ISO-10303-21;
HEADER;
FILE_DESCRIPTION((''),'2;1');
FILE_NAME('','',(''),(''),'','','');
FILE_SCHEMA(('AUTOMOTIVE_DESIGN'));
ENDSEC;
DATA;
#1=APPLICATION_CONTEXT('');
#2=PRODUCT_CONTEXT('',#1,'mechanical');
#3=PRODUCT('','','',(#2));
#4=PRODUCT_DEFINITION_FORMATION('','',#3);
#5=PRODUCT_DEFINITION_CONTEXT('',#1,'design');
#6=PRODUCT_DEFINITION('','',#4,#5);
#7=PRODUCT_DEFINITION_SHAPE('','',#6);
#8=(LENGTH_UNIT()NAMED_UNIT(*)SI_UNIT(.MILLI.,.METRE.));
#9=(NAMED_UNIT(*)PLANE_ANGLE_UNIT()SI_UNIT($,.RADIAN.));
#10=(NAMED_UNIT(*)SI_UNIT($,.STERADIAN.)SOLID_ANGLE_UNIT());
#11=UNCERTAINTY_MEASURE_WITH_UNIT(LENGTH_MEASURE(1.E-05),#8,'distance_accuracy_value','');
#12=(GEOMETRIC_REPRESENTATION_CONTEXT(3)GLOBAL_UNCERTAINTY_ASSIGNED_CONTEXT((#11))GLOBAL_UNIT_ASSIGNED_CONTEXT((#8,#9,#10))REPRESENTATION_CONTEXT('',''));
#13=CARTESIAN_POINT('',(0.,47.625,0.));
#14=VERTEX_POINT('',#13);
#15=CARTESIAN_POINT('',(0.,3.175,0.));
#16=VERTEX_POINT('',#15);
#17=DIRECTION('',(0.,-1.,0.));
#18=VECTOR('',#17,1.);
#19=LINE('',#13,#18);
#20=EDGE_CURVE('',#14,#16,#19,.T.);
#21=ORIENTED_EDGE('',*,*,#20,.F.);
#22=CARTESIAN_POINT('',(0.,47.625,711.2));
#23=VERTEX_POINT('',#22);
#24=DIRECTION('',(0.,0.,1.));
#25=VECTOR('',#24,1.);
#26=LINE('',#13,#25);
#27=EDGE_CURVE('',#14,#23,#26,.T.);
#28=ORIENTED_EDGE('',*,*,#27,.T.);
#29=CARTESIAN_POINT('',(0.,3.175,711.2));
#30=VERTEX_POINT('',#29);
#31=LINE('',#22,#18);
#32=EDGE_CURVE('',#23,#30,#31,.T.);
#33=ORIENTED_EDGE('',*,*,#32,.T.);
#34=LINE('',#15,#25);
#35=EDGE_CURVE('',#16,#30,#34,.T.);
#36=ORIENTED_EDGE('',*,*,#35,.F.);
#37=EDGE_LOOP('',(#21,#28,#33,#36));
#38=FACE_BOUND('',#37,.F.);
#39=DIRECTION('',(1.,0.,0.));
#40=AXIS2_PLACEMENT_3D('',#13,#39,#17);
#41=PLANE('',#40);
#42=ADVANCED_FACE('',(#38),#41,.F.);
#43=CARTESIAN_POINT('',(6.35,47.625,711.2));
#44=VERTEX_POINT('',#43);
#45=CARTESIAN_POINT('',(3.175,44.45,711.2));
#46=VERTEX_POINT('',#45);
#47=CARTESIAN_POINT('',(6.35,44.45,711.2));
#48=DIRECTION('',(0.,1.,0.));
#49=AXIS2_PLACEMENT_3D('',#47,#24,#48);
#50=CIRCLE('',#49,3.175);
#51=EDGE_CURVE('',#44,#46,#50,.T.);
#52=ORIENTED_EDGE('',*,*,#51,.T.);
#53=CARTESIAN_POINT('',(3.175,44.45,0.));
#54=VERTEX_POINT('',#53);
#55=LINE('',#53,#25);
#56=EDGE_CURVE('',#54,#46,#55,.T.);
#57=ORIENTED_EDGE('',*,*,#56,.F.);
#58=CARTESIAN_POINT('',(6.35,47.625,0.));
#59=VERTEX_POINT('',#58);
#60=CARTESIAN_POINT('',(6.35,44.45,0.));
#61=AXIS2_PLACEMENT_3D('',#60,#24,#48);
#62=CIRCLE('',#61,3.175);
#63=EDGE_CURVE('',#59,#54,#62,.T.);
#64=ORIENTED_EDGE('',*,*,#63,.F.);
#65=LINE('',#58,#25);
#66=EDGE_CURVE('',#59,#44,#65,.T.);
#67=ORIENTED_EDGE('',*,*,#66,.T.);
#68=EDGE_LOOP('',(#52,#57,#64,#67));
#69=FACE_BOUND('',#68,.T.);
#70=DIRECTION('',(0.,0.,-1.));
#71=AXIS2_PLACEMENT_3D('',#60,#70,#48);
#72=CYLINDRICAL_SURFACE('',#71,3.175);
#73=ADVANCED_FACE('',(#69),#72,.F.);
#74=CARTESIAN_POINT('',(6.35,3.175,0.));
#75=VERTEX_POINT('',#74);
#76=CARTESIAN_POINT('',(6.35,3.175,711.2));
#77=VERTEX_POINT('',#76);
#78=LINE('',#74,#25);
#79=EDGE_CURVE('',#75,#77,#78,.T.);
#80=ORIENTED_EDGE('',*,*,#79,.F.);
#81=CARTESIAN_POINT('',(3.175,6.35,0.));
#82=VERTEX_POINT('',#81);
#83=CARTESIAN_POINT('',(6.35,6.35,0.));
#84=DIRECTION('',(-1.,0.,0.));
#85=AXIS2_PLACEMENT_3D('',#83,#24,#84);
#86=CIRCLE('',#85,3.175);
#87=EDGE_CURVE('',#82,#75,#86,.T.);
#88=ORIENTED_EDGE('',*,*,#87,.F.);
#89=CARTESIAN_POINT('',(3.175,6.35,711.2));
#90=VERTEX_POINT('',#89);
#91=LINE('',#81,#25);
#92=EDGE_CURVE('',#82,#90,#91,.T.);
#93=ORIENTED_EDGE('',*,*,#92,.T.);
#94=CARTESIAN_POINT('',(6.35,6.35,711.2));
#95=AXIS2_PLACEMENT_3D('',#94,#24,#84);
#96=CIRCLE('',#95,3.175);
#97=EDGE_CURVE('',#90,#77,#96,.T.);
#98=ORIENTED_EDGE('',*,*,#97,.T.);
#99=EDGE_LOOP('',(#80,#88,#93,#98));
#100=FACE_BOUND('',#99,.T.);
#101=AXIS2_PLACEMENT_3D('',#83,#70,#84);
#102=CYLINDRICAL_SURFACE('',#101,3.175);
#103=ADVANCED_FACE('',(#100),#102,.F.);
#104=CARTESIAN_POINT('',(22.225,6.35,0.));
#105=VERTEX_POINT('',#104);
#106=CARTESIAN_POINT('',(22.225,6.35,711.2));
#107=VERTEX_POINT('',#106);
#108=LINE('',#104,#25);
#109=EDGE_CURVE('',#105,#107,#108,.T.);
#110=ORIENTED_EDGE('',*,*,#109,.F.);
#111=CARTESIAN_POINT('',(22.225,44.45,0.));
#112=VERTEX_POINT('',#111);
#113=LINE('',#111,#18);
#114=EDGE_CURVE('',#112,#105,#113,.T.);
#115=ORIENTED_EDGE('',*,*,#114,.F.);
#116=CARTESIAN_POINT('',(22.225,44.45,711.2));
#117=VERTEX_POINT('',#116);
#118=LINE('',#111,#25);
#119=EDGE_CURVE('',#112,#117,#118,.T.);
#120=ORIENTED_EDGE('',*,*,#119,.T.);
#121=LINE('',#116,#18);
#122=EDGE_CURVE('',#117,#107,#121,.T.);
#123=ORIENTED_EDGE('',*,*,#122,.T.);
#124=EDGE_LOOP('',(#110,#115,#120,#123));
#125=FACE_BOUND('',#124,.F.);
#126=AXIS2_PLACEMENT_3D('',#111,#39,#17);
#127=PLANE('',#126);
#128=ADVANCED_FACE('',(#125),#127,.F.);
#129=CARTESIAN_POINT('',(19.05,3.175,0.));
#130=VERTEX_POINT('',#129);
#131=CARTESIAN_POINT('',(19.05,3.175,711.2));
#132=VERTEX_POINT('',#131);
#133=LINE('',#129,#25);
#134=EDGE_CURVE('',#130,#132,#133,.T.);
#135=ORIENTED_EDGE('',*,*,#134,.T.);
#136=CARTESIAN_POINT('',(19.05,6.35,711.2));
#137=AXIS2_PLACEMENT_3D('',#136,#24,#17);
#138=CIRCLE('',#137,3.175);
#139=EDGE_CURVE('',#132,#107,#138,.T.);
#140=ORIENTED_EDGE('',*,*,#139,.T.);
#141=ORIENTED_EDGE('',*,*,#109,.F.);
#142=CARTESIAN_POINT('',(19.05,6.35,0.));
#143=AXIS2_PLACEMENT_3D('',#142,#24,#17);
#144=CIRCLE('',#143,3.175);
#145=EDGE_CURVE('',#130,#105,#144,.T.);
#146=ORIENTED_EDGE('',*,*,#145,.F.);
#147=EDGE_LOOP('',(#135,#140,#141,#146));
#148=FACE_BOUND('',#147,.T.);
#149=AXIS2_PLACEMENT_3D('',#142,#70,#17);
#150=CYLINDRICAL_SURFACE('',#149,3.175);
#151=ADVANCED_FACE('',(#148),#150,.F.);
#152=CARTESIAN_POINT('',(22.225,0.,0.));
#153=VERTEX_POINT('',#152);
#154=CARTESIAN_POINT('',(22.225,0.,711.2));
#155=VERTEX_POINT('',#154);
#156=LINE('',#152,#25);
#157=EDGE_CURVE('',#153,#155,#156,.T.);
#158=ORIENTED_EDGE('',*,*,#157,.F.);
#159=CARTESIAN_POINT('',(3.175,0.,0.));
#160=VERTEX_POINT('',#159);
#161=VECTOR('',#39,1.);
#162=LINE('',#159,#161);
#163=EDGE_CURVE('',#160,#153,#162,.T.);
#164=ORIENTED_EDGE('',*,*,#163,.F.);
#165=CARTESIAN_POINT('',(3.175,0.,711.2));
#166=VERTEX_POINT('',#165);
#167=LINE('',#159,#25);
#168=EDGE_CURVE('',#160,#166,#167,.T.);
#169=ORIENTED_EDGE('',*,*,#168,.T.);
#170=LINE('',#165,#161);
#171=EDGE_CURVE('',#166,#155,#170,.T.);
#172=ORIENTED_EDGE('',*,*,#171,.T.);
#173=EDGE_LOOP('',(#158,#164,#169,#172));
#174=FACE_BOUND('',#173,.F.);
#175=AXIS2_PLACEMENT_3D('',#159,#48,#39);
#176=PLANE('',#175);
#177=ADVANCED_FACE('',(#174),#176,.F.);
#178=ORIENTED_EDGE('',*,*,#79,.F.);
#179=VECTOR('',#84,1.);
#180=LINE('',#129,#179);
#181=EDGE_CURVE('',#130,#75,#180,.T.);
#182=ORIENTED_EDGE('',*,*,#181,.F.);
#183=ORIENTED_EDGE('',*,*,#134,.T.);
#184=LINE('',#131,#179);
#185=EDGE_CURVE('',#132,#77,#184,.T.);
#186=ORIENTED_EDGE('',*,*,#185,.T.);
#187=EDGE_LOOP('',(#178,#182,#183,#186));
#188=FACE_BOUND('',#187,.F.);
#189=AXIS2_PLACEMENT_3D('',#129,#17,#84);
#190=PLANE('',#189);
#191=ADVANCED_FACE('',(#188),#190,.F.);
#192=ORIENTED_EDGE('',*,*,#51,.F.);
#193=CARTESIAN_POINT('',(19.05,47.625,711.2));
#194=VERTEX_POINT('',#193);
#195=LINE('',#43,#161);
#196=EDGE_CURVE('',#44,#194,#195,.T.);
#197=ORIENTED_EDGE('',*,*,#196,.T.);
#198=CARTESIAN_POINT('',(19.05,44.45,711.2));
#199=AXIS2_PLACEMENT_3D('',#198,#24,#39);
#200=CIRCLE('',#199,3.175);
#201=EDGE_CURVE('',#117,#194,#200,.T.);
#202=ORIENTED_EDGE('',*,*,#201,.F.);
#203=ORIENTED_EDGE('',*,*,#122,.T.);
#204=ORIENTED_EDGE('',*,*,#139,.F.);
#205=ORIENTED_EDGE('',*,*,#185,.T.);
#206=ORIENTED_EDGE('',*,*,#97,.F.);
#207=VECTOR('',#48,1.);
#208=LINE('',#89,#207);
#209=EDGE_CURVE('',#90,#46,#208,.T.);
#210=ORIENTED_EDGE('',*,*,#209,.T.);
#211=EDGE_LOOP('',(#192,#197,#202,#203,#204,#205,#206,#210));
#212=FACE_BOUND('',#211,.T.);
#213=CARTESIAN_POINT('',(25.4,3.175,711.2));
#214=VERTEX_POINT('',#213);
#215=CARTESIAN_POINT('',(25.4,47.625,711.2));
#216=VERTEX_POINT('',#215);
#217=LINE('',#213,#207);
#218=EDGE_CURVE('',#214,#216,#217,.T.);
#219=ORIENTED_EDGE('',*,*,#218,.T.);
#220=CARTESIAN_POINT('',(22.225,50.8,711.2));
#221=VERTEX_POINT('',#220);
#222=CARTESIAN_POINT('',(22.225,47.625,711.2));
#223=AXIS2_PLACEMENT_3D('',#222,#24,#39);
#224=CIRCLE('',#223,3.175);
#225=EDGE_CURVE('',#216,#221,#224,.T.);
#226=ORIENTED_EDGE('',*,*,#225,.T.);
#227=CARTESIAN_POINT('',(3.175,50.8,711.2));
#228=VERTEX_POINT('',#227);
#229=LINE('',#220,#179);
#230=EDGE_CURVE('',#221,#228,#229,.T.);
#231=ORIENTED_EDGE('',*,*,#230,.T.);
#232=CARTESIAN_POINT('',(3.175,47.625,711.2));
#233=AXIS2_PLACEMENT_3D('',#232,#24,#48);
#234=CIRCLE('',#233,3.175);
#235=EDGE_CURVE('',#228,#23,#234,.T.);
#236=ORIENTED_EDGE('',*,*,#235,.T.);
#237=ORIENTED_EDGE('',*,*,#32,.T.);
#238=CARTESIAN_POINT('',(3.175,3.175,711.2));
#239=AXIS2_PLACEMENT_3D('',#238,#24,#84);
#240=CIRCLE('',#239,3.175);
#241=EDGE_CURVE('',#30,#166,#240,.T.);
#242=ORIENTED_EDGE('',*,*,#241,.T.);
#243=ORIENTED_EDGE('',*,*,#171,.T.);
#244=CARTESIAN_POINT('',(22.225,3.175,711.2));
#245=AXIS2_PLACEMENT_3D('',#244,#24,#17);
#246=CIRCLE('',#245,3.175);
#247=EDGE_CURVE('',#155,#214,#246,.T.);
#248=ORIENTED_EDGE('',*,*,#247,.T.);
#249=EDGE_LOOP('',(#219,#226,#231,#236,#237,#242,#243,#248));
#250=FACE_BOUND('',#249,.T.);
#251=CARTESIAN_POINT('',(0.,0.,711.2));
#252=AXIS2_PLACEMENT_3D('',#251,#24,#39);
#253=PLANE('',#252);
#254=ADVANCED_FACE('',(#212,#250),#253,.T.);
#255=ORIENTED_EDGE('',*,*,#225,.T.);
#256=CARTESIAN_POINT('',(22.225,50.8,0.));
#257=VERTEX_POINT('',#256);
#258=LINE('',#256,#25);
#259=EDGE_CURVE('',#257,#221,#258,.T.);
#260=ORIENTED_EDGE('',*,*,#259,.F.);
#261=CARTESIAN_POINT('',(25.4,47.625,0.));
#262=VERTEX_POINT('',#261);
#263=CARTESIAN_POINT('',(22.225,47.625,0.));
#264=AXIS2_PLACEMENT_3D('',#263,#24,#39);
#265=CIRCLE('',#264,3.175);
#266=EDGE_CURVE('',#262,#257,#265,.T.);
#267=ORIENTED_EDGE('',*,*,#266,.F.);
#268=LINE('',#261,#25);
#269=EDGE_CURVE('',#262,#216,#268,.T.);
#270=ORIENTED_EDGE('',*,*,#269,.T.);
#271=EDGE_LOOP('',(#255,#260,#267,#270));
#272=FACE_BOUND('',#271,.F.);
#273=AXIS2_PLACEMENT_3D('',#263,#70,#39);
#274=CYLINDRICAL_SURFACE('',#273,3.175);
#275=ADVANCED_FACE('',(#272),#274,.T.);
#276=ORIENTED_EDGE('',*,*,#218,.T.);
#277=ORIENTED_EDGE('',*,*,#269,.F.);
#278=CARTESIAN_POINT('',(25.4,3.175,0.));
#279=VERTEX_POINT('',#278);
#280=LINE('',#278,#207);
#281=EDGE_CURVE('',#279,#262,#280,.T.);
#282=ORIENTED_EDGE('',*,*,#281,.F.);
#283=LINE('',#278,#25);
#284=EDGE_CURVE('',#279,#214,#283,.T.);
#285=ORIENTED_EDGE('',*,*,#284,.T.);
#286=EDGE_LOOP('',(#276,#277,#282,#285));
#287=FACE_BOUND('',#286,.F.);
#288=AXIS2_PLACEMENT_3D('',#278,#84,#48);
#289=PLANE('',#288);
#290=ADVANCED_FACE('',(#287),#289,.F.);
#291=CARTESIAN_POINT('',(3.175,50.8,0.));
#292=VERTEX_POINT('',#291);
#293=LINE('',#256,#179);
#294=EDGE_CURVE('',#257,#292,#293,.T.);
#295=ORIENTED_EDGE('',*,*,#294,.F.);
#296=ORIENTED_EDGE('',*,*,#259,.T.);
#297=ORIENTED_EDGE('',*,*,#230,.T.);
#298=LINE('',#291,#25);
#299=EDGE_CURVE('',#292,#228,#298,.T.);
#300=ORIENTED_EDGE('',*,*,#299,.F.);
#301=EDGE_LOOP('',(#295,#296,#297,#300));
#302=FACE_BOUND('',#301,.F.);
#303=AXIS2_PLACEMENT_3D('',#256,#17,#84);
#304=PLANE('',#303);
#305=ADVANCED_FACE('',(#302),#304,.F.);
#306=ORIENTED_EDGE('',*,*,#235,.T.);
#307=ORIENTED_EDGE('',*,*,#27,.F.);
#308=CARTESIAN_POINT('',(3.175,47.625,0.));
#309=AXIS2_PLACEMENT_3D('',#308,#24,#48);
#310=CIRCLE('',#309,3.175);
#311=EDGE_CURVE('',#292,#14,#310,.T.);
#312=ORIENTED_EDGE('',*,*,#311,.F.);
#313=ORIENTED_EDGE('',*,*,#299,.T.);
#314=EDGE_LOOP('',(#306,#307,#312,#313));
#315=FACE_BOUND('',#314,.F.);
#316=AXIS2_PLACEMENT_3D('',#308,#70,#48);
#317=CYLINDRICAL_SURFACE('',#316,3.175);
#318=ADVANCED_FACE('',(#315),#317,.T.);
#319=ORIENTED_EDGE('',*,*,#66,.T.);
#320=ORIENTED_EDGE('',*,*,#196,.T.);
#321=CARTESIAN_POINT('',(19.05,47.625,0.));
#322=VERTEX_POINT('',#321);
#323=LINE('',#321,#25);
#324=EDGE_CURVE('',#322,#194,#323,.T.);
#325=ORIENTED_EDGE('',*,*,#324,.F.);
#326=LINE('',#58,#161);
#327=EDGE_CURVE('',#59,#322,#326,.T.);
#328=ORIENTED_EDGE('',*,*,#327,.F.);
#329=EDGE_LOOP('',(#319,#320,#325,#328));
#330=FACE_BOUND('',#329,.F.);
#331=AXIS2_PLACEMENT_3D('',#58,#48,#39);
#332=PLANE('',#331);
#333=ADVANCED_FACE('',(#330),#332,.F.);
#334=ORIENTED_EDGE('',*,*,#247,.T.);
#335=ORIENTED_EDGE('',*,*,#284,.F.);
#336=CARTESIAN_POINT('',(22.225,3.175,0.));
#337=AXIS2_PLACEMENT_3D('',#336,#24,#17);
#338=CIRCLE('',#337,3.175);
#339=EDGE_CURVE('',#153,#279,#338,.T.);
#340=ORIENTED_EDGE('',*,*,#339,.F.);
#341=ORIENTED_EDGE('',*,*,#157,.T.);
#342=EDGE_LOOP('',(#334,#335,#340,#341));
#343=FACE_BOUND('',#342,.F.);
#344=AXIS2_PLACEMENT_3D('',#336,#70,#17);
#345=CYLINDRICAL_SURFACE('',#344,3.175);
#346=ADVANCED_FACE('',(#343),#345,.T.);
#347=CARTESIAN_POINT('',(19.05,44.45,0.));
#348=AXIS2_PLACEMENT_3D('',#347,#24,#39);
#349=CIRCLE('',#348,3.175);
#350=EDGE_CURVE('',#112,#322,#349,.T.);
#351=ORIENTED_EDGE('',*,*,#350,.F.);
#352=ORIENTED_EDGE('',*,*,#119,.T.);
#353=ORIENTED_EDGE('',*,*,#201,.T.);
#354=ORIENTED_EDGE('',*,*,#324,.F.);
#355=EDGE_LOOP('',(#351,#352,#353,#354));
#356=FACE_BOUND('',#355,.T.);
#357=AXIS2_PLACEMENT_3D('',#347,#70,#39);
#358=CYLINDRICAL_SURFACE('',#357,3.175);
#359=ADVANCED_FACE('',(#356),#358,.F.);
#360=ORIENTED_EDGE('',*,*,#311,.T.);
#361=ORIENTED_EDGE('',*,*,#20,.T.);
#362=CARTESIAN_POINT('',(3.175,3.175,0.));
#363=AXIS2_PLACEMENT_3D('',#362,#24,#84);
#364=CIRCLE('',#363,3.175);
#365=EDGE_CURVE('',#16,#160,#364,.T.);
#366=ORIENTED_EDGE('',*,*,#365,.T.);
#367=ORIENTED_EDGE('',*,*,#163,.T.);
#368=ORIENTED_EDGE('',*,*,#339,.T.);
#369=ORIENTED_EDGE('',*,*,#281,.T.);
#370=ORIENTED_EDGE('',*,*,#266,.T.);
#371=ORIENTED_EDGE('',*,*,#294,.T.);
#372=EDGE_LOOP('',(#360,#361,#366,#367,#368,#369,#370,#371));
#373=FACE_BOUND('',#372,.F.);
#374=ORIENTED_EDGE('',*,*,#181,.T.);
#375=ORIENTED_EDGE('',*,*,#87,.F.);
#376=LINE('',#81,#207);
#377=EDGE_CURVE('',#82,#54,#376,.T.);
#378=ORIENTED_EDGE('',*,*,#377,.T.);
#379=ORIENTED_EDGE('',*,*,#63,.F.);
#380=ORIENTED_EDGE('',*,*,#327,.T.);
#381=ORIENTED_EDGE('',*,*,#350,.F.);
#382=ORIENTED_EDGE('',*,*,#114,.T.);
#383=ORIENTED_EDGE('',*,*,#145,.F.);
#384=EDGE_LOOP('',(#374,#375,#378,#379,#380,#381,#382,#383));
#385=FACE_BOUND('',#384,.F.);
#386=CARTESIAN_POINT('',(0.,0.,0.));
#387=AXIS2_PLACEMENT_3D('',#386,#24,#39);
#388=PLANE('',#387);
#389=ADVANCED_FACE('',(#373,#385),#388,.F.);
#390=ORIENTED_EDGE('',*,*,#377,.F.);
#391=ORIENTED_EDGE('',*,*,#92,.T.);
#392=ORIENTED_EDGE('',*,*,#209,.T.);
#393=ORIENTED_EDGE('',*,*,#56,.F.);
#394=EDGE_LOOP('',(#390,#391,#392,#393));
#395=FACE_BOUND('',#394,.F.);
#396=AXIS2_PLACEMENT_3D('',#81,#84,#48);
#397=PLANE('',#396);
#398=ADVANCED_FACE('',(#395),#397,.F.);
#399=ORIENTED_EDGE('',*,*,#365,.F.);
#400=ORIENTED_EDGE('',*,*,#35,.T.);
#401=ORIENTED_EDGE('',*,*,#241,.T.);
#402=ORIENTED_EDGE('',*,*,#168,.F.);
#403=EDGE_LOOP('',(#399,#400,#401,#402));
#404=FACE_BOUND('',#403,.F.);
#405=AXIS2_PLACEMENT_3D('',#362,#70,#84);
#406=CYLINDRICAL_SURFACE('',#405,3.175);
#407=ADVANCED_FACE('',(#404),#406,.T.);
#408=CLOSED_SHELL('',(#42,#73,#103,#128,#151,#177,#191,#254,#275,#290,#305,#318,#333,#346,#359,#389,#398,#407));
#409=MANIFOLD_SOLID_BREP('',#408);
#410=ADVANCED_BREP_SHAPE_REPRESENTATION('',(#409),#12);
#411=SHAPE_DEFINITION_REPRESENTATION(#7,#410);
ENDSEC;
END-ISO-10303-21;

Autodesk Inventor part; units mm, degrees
ref_plane "YZ Plane" through (0, 0, 0) normal (1, 0, 0) x (0, 1, 0)
ref_plane "XZ Plane" through (0, 0, 0) normal (0, 1, 0) x (-1, 0, 0)
ref_plane "XY Plane" through (0, 0, 0) normal (0, 0, 1) x (1, 0, 0)
sketch "Sketch1" plane through (0, 0, 0) normal (0, 0, 1) x (1, 0, 0)
  line L0 (3.175, 0) -> (22.225, 0)
  line L1 (25.4, 3.175) -> (25.4, 47.625)
  line L2 (22.225, 50.8) -> (3.175, 50.8)
  line L3 (0, 47.625) -> (0, 3.175)
  arc A0 (3.175, 50.8) -> (0, 47.625) centre (3.175, 47.625) ccw
  arc A1 (25.4, 47.625) -> (22.225, 50.8) centre (22.225, 47.625) ccw
  arc A2 (22.225, 0) -> (25.4, 3.175) centre (22.225, 3.175) ccw
  arc A3 (0, 3.175) -> (3.175, 0) centre (3.175, 3.175) ccw
  line L4 (6.35, 47.625) -> (19.05, 47.625)
  line L5 (22.225, 44.45) -> (22.225, 6.35)
  line L6 (19.05, 3.175) -> (6.35, 3.175)
  line L7 (3.175, 6.35) -> (3.175, 44.45)
  arc A4 (6.35, 47.625) -> (3.175, 44.45) centre (6.35, 44.45) ccw
  arc A5 (22.225, 44.45) -> (19.05, 47.625) centre (19.05, 44.45) ccw
  arc A6 (3.175, 6.35) -> (6.35, 3.175) centre (6.35, 6.35) ccw
  arc A7 (19.05, 3.175) -> (22.225, 6.35) centre (19.05, 6.35) ccw
  point P0 (0, 0)
  point P1 (25.4, 0)
  point P2 (0, 50.8)
  dimension "d0" = 50.8
  dimension "d1" = 25.4
  dimension "d2" = 3.175
  dimension "d3" = 3.175
  dimension "d4" = 3.175
  dimension "d5" = 3.175
  dimension "d6" = 3.175
  dimension "d7" = 3.175
  dimension "d8" = 3.175
  dimension "d9" = 3.175
  dimension "d10" = 3.175
extrude "Extrusion1" add sketch "Sketch1" along normal blind 711.2
properties part number "O channel 28 inch"
